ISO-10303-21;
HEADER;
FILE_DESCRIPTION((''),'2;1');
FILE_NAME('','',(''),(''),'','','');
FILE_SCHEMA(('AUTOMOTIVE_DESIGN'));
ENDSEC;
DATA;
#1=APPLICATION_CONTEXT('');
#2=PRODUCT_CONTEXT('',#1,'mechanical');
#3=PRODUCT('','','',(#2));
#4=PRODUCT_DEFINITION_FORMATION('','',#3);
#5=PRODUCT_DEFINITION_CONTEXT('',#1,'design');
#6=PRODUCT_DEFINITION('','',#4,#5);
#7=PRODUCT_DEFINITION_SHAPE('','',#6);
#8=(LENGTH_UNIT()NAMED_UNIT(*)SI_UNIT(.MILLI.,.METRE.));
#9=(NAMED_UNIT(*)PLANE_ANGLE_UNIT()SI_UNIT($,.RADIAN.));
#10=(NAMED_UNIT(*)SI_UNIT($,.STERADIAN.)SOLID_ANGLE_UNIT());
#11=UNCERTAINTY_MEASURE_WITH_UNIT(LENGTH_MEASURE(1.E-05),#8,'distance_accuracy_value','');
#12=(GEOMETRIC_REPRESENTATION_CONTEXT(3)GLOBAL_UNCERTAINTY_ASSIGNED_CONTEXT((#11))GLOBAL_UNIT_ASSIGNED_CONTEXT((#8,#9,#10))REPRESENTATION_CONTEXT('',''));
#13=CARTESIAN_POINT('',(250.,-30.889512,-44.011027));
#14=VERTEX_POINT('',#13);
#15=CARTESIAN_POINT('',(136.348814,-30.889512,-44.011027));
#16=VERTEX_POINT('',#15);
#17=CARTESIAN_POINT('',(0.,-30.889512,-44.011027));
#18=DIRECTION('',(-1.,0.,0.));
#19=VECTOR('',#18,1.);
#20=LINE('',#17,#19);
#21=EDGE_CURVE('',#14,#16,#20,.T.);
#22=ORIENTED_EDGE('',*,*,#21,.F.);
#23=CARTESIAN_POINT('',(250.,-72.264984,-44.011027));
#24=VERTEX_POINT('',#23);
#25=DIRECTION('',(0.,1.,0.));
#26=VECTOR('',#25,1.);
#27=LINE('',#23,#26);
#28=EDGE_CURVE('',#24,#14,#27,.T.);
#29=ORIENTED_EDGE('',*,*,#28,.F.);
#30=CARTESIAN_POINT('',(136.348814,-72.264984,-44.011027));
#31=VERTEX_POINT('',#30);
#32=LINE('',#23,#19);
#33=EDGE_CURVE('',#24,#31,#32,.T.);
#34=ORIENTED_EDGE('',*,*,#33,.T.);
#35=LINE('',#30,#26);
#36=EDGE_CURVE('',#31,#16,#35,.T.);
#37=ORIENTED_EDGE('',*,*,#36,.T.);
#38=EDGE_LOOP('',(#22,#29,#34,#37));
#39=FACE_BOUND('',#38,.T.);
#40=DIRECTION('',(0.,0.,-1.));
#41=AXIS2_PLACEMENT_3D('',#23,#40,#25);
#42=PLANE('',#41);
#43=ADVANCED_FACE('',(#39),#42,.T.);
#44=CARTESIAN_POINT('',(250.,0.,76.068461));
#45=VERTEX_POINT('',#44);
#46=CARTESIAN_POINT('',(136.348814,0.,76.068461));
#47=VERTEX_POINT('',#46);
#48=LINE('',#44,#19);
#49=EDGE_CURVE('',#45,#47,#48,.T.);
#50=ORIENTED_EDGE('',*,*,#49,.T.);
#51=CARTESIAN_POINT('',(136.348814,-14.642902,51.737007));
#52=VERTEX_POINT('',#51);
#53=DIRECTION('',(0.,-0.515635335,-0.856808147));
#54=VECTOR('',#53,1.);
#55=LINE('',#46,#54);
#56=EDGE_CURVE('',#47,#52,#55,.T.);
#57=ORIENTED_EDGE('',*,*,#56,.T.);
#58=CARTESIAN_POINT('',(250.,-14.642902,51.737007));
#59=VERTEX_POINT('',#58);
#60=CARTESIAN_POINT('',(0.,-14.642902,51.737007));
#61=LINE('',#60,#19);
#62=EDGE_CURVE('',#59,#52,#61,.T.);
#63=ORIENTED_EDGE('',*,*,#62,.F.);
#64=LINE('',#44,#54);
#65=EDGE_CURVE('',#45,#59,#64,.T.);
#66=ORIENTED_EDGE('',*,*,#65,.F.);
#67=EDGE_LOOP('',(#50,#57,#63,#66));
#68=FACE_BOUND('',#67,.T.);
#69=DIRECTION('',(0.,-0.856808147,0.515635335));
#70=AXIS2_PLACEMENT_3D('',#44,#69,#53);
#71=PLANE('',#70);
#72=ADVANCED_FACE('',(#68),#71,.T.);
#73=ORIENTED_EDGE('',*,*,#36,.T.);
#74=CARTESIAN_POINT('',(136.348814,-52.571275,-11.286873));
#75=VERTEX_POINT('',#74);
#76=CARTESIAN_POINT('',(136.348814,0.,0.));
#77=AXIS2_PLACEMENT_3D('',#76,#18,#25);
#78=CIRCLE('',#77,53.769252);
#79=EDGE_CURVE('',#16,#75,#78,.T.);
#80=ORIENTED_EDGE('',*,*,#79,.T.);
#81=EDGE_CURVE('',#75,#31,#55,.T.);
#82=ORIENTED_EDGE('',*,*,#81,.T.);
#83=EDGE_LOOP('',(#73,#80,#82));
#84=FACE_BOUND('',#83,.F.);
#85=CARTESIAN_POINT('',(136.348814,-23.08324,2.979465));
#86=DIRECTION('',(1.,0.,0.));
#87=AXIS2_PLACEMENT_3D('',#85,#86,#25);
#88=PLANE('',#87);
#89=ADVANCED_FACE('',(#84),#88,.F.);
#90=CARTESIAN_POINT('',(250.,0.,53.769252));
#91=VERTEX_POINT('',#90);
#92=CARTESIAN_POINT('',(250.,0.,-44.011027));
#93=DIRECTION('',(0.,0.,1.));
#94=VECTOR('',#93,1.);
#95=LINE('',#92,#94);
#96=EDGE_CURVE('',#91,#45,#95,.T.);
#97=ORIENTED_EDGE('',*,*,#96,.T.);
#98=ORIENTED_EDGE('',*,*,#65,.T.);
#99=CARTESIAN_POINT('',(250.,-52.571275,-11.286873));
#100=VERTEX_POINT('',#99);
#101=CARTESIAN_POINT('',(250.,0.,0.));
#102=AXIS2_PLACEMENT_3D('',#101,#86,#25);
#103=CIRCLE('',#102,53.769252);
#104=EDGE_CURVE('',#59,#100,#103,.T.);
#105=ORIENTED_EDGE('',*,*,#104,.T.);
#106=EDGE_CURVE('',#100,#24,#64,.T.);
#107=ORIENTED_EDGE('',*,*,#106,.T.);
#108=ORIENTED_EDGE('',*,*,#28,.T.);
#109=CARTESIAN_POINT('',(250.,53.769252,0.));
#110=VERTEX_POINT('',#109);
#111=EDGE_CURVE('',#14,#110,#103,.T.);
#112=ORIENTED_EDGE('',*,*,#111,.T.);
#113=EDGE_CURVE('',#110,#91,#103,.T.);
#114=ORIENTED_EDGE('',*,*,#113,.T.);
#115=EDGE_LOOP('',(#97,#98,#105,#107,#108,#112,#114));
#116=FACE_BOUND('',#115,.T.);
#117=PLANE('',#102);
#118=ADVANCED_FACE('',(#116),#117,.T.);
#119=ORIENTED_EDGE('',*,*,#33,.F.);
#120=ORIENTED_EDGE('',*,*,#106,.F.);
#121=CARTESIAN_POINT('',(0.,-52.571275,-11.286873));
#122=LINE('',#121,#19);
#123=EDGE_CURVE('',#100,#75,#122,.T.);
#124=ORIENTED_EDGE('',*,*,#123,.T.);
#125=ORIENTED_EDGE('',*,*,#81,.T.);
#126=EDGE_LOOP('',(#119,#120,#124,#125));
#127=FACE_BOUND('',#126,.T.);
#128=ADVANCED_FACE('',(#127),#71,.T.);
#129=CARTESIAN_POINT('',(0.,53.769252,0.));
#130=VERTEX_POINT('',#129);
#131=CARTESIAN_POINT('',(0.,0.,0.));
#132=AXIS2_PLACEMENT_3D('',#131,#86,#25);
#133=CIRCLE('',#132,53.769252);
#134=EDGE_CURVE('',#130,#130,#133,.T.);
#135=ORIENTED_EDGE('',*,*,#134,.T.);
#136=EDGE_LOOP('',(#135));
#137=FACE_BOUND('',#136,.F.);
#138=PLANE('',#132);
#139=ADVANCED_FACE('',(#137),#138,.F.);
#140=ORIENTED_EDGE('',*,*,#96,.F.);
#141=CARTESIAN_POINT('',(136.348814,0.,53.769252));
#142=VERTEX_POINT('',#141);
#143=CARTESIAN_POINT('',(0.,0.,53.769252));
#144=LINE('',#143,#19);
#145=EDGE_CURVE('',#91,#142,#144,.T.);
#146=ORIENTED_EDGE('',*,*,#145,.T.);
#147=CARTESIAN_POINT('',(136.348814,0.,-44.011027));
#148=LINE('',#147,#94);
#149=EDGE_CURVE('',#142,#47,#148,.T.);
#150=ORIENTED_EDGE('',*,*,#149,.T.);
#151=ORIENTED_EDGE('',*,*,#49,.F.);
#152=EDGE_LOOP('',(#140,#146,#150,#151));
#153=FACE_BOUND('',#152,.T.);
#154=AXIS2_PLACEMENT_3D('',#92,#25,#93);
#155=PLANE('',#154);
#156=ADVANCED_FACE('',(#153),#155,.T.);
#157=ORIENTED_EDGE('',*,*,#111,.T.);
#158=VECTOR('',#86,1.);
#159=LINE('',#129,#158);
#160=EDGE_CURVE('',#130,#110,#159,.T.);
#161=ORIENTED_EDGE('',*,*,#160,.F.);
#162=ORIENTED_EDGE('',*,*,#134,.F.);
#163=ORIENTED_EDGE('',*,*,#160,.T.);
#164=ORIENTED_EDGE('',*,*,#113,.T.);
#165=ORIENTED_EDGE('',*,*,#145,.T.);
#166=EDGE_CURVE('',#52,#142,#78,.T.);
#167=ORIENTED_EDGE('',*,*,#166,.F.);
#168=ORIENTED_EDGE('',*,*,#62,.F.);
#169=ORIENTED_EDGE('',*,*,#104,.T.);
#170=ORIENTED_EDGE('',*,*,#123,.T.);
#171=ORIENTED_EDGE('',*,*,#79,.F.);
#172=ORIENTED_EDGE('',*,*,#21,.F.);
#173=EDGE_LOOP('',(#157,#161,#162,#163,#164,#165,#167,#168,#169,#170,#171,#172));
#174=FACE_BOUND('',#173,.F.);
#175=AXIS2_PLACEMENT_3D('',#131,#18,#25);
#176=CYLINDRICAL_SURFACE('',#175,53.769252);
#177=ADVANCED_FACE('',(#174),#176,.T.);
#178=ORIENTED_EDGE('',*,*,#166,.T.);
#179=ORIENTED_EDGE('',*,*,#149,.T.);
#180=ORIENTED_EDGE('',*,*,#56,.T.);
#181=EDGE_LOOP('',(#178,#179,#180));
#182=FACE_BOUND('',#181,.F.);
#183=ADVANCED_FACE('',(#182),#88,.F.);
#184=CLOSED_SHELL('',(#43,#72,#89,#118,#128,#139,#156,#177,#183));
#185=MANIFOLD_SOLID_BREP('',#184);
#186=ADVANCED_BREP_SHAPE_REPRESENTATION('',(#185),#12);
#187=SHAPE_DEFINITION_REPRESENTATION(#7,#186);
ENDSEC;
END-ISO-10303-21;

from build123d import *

# Parameters (mm, degrees)
F0_R     = 53.769252
F1_DEPTH = 250
F6_DEPTH = 113.651186


with BuildPart() as f1:
    # F0 (on Right) → F1 (new body)
    with BuildSketch(Plane.YZ):
        Circle(F0_R)
    extrude(amount=F1_DEPTH)

    # F5 (on face) → F6 (join)
    with BuildSketch(Plane.YZ.offset(250)):
        Polygon((0, -44.011027), (0, 76.068461), (-72.264984, -44.011027), align=None)
    extrude(amount=-F6_DEPTH)


solid = f1.part
